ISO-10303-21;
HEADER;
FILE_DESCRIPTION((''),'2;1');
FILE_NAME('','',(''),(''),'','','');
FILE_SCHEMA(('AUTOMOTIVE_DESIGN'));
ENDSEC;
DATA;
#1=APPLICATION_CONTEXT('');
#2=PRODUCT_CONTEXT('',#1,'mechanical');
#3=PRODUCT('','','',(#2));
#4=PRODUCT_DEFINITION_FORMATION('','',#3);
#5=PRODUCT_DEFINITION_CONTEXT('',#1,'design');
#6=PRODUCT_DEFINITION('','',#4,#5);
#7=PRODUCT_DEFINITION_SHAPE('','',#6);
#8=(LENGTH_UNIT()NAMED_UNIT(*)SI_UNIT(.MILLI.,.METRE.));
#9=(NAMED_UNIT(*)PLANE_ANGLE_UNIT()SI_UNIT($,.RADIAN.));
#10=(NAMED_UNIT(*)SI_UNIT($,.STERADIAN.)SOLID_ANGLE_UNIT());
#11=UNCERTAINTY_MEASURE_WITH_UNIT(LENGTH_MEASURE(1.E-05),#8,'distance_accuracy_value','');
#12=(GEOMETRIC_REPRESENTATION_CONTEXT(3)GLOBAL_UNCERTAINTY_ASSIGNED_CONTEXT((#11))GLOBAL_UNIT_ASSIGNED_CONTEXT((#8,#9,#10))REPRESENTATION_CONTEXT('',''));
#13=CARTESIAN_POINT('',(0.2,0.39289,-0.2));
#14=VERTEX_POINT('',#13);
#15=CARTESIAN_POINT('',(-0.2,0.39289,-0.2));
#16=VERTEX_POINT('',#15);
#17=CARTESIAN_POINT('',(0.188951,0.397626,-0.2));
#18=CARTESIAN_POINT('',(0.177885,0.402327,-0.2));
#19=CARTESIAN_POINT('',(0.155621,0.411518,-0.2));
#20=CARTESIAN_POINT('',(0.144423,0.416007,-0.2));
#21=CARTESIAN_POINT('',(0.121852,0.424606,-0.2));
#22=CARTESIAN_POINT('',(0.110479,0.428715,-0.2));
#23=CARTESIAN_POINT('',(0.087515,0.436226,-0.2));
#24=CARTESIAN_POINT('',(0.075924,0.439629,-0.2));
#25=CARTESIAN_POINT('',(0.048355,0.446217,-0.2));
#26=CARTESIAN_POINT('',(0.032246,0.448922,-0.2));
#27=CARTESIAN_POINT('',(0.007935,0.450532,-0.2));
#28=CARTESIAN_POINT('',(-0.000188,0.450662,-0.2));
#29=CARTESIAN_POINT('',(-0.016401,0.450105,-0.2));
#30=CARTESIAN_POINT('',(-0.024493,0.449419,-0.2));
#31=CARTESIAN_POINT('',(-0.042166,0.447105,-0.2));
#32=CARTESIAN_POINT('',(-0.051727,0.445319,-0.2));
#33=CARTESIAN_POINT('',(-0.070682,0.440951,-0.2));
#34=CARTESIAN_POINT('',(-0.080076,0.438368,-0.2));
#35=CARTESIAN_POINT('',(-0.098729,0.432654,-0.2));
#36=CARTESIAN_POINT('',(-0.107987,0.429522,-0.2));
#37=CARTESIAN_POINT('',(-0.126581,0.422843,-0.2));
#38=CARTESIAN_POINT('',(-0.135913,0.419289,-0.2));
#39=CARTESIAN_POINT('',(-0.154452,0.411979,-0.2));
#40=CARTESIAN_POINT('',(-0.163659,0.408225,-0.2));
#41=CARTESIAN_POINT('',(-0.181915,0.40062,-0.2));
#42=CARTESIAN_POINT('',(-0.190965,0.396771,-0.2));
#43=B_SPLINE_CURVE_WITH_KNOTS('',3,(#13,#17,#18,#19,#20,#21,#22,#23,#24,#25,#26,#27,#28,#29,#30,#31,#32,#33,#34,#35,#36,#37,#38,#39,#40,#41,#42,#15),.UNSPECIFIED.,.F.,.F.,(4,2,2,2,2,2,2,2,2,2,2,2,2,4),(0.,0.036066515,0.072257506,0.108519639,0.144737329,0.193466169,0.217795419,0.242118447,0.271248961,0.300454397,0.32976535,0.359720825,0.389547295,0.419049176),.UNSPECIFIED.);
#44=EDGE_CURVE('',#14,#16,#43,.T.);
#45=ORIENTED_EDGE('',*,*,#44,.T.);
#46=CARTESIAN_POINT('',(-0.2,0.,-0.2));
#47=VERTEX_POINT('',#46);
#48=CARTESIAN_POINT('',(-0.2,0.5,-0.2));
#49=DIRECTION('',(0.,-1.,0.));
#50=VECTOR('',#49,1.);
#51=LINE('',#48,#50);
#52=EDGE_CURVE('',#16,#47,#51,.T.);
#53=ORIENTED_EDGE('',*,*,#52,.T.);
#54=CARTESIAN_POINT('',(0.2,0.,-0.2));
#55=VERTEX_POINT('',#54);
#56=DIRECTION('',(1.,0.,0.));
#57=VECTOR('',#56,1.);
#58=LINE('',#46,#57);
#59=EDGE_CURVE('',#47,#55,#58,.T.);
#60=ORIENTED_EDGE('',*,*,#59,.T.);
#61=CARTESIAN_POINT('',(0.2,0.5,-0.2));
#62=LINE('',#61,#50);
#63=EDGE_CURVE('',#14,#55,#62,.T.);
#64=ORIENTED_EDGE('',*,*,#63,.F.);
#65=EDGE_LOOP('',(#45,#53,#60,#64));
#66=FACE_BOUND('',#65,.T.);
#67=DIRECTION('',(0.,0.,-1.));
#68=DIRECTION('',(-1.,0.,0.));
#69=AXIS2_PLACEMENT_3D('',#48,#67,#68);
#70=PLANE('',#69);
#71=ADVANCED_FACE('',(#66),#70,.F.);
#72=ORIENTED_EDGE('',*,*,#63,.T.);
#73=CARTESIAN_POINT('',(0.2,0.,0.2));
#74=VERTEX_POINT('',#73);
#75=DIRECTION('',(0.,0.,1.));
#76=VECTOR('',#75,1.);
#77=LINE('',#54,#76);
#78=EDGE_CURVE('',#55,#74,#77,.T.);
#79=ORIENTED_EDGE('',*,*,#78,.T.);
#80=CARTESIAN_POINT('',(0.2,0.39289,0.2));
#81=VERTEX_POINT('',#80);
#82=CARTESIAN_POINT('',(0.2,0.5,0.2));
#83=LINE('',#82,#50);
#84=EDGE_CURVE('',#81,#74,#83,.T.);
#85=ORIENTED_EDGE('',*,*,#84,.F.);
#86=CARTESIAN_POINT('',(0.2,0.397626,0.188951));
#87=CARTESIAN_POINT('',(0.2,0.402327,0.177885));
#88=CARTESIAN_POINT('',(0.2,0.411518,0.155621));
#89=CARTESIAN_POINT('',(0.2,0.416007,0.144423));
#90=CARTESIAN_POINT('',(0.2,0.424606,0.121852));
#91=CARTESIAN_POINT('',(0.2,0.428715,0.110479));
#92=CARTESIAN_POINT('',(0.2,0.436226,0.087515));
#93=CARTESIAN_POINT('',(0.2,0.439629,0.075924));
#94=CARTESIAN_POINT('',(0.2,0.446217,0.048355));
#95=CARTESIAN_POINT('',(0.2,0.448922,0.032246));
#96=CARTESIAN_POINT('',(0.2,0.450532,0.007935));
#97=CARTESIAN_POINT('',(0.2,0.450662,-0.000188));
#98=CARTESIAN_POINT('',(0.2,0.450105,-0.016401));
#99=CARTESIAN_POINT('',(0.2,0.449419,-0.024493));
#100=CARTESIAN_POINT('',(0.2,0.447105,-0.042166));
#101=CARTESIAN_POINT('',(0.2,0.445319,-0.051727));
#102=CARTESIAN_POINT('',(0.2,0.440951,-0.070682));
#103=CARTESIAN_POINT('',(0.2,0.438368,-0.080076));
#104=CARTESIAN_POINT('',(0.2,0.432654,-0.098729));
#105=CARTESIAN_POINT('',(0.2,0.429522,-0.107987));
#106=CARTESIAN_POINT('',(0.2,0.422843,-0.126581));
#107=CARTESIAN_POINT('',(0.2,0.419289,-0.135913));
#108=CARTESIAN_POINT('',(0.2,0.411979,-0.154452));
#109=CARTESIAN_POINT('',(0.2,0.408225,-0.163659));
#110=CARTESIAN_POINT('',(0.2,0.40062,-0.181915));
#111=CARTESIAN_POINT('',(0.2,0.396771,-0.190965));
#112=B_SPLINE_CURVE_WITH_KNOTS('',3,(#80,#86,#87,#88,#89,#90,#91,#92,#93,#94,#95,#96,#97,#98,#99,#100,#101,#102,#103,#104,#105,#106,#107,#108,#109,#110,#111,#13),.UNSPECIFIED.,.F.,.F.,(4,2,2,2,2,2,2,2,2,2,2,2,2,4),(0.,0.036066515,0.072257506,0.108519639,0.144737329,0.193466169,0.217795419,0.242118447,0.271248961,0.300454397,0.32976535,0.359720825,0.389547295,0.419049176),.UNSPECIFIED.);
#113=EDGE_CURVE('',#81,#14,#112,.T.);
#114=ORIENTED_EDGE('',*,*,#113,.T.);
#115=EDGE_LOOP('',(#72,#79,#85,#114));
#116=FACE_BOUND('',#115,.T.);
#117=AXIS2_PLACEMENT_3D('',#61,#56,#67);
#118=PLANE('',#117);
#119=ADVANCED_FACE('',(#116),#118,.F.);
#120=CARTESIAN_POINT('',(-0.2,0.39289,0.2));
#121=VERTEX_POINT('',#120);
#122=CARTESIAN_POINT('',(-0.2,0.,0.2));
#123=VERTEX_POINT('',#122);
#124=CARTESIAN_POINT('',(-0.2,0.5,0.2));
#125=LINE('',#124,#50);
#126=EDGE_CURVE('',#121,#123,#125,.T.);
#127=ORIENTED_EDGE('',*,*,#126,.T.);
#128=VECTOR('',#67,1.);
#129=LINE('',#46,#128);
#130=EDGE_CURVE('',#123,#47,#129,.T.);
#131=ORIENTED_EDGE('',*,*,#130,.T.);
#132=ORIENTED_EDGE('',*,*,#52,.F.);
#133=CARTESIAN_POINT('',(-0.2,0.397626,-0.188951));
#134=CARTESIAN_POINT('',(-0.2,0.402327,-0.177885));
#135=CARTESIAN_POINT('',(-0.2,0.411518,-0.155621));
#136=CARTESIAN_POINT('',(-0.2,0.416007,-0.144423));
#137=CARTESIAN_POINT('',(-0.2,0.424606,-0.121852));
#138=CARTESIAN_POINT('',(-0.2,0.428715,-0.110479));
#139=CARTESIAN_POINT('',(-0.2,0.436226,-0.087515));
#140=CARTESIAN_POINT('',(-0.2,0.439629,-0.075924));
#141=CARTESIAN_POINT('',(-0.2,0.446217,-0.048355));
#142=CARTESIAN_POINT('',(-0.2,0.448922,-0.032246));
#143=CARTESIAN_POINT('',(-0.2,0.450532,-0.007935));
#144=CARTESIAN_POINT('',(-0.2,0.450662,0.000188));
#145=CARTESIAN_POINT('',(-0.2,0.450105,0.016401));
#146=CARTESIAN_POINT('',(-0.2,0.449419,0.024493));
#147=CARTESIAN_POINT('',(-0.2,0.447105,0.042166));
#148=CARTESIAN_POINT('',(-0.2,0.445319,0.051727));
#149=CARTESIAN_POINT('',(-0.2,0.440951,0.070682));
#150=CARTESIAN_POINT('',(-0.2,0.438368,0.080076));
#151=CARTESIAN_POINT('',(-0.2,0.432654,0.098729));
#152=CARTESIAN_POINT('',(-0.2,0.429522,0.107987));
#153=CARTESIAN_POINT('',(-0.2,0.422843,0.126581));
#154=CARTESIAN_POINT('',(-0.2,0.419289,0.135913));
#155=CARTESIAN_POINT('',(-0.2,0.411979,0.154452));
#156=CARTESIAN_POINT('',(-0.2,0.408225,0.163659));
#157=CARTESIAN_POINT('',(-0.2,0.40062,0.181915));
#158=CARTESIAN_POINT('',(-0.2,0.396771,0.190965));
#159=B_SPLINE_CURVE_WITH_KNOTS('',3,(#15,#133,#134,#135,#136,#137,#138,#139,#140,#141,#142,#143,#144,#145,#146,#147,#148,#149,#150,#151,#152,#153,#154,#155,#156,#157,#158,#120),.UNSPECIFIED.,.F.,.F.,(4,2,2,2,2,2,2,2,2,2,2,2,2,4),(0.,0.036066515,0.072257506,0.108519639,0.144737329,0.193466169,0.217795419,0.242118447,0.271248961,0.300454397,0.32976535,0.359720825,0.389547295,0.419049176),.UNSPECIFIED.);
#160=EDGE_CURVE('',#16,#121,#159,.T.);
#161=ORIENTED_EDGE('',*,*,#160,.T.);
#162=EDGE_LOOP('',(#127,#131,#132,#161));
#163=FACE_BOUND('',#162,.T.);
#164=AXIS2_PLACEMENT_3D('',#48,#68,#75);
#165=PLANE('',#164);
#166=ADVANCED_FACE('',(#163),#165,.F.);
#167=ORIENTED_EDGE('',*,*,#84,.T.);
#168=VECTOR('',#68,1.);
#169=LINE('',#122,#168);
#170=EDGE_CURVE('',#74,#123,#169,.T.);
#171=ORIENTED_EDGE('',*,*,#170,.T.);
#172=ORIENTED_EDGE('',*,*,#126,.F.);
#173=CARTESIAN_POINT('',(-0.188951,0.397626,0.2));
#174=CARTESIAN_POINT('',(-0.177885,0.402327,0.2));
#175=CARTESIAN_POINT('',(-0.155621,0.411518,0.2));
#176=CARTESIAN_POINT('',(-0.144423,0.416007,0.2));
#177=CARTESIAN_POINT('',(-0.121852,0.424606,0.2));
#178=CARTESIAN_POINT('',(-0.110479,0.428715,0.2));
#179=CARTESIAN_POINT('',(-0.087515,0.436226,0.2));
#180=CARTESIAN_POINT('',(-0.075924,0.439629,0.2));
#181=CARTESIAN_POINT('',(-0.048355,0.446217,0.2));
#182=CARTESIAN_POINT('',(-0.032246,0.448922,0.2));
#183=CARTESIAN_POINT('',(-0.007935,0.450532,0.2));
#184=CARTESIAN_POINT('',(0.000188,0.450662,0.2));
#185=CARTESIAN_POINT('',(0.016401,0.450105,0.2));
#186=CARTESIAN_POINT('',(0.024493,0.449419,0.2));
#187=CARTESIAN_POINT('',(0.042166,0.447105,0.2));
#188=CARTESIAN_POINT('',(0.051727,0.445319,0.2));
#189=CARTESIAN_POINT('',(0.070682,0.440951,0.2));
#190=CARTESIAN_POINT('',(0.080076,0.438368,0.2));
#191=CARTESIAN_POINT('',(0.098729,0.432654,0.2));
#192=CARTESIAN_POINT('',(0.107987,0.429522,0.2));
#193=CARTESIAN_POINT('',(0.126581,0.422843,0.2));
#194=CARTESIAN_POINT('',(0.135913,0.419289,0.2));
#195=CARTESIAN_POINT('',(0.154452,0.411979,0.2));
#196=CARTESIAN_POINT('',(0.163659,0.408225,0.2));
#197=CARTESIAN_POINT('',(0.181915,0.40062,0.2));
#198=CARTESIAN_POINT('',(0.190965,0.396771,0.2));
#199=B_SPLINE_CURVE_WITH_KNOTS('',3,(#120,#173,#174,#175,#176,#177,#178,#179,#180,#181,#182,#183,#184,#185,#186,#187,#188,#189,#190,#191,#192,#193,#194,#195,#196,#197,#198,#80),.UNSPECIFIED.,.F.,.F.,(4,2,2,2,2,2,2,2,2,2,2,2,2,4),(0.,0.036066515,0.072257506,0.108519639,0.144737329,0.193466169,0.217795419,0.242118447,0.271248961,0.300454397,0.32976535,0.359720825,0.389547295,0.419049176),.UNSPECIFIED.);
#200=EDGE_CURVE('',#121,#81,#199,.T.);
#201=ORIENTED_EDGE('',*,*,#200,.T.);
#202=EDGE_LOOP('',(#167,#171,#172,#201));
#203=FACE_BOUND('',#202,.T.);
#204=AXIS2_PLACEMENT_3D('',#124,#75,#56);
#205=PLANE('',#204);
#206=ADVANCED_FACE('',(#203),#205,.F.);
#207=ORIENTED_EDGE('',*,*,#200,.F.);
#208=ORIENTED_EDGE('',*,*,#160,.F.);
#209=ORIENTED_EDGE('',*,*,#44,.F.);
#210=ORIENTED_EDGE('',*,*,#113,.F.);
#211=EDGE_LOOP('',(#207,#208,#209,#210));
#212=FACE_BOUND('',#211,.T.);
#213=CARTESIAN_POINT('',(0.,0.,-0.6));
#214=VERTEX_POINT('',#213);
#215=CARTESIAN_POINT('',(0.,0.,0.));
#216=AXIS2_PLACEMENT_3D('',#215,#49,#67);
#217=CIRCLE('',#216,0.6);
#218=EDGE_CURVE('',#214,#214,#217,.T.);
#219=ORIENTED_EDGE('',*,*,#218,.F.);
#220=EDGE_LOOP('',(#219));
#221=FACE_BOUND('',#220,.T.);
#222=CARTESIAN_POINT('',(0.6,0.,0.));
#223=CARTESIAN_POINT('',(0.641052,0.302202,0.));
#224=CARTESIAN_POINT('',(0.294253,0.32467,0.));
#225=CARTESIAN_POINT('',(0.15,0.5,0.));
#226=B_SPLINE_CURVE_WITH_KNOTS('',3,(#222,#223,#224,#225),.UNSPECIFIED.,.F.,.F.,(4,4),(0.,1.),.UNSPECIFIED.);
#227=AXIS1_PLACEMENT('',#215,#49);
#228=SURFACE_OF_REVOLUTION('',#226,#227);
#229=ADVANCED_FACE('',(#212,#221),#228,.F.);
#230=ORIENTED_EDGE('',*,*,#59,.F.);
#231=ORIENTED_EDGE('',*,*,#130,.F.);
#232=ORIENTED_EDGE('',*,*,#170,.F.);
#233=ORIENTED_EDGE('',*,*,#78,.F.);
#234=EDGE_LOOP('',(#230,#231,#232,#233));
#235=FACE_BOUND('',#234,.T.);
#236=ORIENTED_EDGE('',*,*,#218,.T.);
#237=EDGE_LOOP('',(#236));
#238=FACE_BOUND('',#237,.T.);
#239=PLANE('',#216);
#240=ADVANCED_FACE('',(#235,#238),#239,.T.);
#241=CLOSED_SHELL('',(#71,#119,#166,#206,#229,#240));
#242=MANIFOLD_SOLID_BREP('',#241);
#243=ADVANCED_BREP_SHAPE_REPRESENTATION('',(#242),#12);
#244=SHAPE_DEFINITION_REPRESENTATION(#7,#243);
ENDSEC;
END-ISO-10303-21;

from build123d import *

# Parameters (mm, degrees)
SKETCH2_W          = 0.4
SKETCH2_H          = 0.4
CUT_EXTRUDE1_DEPTH = 1.988973129


with BuildPart() as part:
    # Sketch1 → Revolve1 (revolve)
    with BuildSketch(Plane.XY):
        with BuildLine():
            Line((0, 0), (0, 0.5))
            Line((0, 0.5), (0.15, 0.5))
            add(Edge.make_bspline(
                [(0.15, 0.5), (0.294253128, 0.324669992), (0.64105182, 0.302201542), (0.6, 0)],
                knots=[0, 0, 0, 0, 1, 1, 1, 1], degree=3))
            Line((0.6, 0), (0, 0))
        make_face()
    revolve(axis=Axis((0, 0, 0), (0, 1, 0)))

    # Sketch2 → Cut-Extrude1 (cut, through all)
    with BuildSketch(Plane.XZ):
        Rectangle(SKETCH2_W, SKETCH2_H)
    extrude(amount=-CUT_EXTRUDE1_DEPTH, mode=Mode.SUBTRACT)


solid = part.part
